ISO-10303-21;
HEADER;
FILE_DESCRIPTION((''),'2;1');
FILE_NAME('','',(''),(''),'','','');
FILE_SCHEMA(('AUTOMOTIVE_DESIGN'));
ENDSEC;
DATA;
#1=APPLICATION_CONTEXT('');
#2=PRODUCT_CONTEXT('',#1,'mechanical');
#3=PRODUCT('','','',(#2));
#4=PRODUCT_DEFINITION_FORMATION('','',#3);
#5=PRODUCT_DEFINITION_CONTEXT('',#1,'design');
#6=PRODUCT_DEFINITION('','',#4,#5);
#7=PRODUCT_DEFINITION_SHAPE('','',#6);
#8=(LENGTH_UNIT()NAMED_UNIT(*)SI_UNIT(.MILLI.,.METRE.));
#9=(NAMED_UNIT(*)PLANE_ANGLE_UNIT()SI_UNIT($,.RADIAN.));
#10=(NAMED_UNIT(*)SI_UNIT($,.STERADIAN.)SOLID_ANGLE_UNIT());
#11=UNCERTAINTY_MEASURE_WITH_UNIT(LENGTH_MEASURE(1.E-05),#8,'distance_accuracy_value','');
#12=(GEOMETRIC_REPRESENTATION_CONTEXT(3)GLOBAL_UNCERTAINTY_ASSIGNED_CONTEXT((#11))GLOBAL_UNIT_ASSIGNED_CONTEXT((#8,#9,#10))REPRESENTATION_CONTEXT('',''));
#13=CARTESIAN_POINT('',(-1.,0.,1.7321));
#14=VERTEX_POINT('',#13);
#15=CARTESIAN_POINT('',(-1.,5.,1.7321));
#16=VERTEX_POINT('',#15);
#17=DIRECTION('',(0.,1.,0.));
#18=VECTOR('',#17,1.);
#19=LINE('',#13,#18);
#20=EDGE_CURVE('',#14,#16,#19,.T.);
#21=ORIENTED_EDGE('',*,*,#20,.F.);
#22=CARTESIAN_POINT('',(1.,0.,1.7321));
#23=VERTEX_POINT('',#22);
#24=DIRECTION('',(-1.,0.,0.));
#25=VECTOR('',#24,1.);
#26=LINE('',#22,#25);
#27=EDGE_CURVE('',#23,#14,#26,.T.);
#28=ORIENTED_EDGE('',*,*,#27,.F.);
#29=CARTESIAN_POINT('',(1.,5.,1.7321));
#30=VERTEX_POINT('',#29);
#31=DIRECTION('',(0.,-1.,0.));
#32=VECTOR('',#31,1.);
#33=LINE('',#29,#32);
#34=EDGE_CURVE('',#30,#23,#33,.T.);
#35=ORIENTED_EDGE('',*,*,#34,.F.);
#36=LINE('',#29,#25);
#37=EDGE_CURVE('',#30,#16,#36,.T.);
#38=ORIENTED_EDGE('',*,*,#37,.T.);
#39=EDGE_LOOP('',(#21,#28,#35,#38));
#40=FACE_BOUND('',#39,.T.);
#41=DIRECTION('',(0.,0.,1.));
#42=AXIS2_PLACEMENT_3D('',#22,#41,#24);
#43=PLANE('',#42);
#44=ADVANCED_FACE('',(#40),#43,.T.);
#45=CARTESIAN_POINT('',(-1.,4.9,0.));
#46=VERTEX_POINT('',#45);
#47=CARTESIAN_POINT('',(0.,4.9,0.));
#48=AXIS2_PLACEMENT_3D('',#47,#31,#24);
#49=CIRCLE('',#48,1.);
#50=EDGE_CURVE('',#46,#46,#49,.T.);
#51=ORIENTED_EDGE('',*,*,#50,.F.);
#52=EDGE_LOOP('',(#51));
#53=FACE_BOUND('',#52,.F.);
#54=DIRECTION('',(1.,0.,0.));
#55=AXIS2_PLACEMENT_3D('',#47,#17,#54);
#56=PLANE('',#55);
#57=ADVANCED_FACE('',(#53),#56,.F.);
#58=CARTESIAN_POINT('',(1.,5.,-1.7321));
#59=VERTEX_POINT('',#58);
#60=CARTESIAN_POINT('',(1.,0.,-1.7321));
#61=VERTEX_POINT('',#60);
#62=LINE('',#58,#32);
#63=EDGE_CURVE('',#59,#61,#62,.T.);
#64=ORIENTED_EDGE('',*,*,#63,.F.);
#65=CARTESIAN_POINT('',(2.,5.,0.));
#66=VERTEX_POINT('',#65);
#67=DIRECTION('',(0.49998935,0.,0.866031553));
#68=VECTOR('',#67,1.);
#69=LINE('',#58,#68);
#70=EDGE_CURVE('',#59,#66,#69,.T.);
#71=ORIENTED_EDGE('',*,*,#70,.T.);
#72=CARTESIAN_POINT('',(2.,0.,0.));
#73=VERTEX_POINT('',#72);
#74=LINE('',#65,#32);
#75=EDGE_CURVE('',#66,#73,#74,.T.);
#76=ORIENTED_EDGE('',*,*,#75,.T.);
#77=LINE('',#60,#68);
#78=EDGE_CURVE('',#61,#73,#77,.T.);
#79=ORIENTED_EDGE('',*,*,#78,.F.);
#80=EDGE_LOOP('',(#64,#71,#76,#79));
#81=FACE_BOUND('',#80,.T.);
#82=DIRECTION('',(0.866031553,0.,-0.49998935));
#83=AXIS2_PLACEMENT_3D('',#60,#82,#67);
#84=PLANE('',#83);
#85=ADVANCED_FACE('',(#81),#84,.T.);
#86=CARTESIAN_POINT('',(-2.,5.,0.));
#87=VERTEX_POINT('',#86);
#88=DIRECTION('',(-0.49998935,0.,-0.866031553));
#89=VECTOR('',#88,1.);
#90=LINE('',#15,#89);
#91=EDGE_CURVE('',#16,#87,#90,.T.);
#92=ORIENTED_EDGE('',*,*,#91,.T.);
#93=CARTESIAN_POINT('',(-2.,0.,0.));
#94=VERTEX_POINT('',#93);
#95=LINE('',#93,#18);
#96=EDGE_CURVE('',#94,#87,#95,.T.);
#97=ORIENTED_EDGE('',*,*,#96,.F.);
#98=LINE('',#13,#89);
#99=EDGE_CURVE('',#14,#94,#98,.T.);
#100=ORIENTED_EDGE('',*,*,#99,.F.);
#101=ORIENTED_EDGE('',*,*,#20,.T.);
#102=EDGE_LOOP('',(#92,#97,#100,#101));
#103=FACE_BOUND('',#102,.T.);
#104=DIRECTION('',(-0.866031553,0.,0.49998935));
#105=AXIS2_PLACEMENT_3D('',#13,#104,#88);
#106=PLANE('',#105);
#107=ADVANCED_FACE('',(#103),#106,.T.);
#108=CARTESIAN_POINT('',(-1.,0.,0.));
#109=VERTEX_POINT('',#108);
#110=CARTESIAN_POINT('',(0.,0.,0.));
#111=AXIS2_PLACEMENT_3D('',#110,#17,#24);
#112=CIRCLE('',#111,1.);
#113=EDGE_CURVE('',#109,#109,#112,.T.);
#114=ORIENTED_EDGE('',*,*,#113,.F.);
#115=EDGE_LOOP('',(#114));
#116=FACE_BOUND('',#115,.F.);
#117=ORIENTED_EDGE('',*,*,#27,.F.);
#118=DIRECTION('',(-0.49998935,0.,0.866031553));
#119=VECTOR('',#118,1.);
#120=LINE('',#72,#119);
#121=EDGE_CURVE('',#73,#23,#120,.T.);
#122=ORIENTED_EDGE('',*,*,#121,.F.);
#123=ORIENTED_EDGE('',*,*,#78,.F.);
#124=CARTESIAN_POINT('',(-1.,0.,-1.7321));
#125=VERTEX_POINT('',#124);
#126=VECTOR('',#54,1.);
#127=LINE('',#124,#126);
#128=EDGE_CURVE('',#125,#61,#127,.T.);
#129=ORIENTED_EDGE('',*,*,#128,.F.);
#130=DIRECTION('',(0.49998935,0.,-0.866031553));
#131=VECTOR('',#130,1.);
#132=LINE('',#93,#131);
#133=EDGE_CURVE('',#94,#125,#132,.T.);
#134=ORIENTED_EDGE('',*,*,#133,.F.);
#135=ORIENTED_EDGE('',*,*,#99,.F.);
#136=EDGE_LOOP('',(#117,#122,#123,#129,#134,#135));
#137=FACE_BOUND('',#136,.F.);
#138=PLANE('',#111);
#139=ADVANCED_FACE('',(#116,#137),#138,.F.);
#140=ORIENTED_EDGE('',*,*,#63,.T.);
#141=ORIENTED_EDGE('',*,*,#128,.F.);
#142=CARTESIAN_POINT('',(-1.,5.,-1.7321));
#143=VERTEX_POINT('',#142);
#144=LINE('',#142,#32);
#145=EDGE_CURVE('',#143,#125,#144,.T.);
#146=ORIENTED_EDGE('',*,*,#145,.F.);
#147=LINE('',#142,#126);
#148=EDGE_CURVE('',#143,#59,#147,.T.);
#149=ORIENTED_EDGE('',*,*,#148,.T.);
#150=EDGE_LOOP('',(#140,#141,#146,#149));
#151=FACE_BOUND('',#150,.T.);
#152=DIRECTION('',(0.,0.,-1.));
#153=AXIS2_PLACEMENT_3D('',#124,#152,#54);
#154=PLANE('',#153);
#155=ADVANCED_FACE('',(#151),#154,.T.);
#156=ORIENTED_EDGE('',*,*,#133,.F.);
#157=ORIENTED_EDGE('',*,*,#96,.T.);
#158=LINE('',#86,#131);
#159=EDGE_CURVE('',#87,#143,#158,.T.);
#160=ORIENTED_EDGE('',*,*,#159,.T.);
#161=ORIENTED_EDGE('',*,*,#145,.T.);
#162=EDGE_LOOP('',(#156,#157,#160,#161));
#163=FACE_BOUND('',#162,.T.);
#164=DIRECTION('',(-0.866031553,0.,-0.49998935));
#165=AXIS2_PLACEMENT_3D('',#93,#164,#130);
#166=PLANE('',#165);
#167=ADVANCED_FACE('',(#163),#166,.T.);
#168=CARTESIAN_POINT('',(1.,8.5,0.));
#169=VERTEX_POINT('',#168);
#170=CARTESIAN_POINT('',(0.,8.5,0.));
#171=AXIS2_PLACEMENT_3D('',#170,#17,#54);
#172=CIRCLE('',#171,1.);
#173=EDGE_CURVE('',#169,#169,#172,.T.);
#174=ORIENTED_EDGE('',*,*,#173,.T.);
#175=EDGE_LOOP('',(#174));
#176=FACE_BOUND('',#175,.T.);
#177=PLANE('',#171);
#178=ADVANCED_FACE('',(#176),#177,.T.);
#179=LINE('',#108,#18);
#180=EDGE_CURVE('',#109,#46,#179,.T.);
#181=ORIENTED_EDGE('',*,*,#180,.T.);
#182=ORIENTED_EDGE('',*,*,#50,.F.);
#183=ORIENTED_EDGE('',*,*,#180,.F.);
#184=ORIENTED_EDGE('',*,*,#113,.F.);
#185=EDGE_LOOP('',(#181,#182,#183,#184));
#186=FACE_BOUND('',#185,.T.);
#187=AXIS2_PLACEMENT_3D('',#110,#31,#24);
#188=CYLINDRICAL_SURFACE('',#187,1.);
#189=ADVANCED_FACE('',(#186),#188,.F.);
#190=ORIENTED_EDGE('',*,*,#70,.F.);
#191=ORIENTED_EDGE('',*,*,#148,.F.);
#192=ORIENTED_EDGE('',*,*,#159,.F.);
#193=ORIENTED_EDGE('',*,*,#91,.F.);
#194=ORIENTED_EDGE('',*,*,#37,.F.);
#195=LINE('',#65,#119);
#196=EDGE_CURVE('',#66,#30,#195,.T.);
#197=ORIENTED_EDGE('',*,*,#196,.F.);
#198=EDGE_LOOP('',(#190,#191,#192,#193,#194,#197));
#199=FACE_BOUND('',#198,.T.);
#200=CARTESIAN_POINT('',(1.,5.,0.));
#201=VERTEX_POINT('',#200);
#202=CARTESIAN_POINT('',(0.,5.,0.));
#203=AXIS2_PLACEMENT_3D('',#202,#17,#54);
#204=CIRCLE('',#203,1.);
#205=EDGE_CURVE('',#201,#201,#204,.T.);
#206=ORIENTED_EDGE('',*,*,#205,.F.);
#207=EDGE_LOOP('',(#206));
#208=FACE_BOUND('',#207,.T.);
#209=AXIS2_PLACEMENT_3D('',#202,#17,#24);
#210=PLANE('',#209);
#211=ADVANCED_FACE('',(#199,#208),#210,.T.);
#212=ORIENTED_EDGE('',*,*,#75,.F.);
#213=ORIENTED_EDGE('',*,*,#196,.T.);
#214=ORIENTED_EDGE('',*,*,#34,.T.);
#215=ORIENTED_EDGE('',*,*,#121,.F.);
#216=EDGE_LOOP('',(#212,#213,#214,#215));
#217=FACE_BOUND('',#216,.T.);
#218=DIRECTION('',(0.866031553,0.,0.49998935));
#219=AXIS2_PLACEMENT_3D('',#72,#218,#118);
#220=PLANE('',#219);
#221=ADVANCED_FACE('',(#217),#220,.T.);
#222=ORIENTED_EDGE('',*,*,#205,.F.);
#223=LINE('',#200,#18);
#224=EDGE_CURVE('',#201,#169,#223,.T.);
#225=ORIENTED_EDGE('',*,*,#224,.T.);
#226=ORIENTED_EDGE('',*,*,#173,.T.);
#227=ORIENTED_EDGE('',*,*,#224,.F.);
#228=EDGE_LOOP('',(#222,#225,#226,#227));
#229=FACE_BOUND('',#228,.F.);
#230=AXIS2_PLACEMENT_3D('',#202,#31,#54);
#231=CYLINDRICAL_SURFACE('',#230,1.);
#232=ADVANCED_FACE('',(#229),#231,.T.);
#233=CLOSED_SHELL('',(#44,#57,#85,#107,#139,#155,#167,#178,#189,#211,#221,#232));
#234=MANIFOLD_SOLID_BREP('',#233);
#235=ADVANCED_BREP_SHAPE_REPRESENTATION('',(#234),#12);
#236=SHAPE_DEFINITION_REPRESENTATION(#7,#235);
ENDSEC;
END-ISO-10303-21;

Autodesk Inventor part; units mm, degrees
ref_plane "YZ Plane" through (0, 0, 0) normal (1, 0, 0) x (0, 1, 0)
ref_plane "XZ Plane" through (0, 0, 0) normal (0, 1, 0) x (-1, 0, 0)
ref_plane "XY Plane" through (0, 0, 0) normal (0, 0, 1) x (1, 0, 0)
sketch "Sketch1" plane through (0, 0, 0) normal (0, 1, 0) x (-1, 0, 0)
  line L0 (2, 0) -> (1, -1.7321)
  line L1 (1, -1.7321) -> (-1, -1.7321)
  line L2 (-1, -1.7321) -> (-2, 0)
  line L3 (-2, 0) -> (-1, 1.7321)
  line L4 (-1, 1.7321) -> (1, 1.7321)
  line L5 (1, 1.7321) -> (2, 0)
  circle A0 centre (0, 0) radius 1
extrude "Extrusion1" add sketch "Sketch1" along normal blind 5
sketch "Sketch2" plane through (0, 5, 0) normal (0, 1, 0) x (1, 0, 0)
  line L0 (-2, 0) -> (-1, 1.7321)
  line L1 (-1, 1.7321) -> (1, 1.7321)
  line L2 (1, 1.7321) -> (2, 0)
  line L3 (2, 0) -> (1, -1.7321)
  line L4 (1, -1.7321) -> (-1, -1.7321)
  line L5 (-1, -1.7321) -> (-2, 0)
  point P0 (0, 0)
  point P1 (0, 0)
extrude "Extrusion2" add sketch "Sketch2" against normal blind 0.1
sketch "Sketch3" plane through (0, 5, 0) normal (0, 1, 0) x (1, 0, 0)
  circle A0 centre (0, 0) radius 1
  dimension "d5" = 2
extrude "Extrusion3" add sketch "Sketch3" along normal blind 3.5
properties part number "Standoff"
